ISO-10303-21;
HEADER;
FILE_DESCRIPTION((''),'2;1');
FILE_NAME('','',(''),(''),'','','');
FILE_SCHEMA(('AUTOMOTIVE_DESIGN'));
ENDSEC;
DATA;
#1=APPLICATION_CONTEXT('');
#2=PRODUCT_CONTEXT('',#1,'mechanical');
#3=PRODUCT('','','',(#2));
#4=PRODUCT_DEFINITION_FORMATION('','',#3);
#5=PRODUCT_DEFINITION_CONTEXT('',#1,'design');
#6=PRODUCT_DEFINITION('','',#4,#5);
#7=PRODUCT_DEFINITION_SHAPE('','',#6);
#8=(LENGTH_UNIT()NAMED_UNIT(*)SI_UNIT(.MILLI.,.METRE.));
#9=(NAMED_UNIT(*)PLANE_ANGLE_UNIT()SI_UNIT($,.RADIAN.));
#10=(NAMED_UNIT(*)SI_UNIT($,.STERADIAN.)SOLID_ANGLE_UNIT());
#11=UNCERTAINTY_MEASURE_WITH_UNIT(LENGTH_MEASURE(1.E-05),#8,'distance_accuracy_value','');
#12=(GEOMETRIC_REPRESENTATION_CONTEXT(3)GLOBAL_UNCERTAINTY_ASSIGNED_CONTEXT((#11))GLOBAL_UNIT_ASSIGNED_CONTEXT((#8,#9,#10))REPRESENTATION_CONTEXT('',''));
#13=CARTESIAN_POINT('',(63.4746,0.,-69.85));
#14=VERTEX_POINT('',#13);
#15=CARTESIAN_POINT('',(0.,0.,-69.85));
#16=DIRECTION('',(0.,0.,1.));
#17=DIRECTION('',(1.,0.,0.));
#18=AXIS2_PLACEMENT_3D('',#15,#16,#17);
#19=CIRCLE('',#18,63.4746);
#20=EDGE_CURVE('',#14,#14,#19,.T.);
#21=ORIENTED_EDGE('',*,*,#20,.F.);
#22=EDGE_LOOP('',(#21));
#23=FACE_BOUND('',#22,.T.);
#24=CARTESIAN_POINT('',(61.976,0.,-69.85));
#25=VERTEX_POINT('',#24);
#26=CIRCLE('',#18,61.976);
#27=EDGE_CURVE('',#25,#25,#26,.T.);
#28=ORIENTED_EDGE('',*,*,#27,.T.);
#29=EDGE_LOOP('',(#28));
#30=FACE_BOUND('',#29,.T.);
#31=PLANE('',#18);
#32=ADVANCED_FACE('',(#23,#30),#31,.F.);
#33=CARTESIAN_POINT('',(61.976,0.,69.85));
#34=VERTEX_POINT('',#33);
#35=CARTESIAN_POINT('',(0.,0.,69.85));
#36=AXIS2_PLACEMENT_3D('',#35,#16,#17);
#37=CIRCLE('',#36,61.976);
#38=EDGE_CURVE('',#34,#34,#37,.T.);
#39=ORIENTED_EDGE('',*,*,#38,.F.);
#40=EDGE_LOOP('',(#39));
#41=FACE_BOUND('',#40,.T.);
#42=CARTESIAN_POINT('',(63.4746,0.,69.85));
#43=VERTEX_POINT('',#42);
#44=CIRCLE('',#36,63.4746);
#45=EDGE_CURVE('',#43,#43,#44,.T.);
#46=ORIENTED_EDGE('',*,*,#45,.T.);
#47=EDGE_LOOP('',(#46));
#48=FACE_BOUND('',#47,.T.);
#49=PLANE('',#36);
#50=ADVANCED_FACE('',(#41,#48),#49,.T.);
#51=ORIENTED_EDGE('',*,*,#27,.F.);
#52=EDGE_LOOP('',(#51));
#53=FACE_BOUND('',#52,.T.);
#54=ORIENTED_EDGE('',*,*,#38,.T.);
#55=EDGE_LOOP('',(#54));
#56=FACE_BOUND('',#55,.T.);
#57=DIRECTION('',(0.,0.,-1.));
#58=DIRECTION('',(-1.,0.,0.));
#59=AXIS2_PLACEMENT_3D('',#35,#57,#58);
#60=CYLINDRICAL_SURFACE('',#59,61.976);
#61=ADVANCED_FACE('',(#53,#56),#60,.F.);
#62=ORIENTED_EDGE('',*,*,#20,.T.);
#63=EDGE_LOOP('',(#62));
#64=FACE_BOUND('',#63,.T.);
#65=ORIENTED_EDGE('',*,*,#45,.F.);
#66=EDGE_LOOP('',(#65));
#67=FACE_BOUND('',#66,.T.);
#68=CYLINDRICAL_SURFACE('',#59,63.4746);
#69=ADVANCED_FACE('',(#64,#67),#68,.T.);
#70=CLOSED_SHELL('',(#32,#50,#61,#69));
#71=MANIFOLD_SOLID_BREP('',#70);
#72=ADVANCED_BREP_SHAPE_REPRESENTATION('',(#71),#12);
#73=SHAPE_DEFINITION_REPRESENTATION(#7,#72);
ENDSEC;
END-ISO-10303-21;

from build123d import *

# Parameters (mm, degrees)
SKETCH1_R           = 63.4746
SKETCH1_R_2         = 61.976
BOSS_EXTRUDE1_DEPTH = 69.85


with BuildPart() as part:
    # Sketch1 → Boss-Extrude1 (new body, symmetric)
    with BuildSketch(Plane.XY):
        Circle(SKETCH1_R)
        Circle(SKETCH1_R_2, mode=Mode.SUBTRACT)
    extrude(amount=BOSS_EXTRUDE1_DEPTH, both=True)


solid = part.part
